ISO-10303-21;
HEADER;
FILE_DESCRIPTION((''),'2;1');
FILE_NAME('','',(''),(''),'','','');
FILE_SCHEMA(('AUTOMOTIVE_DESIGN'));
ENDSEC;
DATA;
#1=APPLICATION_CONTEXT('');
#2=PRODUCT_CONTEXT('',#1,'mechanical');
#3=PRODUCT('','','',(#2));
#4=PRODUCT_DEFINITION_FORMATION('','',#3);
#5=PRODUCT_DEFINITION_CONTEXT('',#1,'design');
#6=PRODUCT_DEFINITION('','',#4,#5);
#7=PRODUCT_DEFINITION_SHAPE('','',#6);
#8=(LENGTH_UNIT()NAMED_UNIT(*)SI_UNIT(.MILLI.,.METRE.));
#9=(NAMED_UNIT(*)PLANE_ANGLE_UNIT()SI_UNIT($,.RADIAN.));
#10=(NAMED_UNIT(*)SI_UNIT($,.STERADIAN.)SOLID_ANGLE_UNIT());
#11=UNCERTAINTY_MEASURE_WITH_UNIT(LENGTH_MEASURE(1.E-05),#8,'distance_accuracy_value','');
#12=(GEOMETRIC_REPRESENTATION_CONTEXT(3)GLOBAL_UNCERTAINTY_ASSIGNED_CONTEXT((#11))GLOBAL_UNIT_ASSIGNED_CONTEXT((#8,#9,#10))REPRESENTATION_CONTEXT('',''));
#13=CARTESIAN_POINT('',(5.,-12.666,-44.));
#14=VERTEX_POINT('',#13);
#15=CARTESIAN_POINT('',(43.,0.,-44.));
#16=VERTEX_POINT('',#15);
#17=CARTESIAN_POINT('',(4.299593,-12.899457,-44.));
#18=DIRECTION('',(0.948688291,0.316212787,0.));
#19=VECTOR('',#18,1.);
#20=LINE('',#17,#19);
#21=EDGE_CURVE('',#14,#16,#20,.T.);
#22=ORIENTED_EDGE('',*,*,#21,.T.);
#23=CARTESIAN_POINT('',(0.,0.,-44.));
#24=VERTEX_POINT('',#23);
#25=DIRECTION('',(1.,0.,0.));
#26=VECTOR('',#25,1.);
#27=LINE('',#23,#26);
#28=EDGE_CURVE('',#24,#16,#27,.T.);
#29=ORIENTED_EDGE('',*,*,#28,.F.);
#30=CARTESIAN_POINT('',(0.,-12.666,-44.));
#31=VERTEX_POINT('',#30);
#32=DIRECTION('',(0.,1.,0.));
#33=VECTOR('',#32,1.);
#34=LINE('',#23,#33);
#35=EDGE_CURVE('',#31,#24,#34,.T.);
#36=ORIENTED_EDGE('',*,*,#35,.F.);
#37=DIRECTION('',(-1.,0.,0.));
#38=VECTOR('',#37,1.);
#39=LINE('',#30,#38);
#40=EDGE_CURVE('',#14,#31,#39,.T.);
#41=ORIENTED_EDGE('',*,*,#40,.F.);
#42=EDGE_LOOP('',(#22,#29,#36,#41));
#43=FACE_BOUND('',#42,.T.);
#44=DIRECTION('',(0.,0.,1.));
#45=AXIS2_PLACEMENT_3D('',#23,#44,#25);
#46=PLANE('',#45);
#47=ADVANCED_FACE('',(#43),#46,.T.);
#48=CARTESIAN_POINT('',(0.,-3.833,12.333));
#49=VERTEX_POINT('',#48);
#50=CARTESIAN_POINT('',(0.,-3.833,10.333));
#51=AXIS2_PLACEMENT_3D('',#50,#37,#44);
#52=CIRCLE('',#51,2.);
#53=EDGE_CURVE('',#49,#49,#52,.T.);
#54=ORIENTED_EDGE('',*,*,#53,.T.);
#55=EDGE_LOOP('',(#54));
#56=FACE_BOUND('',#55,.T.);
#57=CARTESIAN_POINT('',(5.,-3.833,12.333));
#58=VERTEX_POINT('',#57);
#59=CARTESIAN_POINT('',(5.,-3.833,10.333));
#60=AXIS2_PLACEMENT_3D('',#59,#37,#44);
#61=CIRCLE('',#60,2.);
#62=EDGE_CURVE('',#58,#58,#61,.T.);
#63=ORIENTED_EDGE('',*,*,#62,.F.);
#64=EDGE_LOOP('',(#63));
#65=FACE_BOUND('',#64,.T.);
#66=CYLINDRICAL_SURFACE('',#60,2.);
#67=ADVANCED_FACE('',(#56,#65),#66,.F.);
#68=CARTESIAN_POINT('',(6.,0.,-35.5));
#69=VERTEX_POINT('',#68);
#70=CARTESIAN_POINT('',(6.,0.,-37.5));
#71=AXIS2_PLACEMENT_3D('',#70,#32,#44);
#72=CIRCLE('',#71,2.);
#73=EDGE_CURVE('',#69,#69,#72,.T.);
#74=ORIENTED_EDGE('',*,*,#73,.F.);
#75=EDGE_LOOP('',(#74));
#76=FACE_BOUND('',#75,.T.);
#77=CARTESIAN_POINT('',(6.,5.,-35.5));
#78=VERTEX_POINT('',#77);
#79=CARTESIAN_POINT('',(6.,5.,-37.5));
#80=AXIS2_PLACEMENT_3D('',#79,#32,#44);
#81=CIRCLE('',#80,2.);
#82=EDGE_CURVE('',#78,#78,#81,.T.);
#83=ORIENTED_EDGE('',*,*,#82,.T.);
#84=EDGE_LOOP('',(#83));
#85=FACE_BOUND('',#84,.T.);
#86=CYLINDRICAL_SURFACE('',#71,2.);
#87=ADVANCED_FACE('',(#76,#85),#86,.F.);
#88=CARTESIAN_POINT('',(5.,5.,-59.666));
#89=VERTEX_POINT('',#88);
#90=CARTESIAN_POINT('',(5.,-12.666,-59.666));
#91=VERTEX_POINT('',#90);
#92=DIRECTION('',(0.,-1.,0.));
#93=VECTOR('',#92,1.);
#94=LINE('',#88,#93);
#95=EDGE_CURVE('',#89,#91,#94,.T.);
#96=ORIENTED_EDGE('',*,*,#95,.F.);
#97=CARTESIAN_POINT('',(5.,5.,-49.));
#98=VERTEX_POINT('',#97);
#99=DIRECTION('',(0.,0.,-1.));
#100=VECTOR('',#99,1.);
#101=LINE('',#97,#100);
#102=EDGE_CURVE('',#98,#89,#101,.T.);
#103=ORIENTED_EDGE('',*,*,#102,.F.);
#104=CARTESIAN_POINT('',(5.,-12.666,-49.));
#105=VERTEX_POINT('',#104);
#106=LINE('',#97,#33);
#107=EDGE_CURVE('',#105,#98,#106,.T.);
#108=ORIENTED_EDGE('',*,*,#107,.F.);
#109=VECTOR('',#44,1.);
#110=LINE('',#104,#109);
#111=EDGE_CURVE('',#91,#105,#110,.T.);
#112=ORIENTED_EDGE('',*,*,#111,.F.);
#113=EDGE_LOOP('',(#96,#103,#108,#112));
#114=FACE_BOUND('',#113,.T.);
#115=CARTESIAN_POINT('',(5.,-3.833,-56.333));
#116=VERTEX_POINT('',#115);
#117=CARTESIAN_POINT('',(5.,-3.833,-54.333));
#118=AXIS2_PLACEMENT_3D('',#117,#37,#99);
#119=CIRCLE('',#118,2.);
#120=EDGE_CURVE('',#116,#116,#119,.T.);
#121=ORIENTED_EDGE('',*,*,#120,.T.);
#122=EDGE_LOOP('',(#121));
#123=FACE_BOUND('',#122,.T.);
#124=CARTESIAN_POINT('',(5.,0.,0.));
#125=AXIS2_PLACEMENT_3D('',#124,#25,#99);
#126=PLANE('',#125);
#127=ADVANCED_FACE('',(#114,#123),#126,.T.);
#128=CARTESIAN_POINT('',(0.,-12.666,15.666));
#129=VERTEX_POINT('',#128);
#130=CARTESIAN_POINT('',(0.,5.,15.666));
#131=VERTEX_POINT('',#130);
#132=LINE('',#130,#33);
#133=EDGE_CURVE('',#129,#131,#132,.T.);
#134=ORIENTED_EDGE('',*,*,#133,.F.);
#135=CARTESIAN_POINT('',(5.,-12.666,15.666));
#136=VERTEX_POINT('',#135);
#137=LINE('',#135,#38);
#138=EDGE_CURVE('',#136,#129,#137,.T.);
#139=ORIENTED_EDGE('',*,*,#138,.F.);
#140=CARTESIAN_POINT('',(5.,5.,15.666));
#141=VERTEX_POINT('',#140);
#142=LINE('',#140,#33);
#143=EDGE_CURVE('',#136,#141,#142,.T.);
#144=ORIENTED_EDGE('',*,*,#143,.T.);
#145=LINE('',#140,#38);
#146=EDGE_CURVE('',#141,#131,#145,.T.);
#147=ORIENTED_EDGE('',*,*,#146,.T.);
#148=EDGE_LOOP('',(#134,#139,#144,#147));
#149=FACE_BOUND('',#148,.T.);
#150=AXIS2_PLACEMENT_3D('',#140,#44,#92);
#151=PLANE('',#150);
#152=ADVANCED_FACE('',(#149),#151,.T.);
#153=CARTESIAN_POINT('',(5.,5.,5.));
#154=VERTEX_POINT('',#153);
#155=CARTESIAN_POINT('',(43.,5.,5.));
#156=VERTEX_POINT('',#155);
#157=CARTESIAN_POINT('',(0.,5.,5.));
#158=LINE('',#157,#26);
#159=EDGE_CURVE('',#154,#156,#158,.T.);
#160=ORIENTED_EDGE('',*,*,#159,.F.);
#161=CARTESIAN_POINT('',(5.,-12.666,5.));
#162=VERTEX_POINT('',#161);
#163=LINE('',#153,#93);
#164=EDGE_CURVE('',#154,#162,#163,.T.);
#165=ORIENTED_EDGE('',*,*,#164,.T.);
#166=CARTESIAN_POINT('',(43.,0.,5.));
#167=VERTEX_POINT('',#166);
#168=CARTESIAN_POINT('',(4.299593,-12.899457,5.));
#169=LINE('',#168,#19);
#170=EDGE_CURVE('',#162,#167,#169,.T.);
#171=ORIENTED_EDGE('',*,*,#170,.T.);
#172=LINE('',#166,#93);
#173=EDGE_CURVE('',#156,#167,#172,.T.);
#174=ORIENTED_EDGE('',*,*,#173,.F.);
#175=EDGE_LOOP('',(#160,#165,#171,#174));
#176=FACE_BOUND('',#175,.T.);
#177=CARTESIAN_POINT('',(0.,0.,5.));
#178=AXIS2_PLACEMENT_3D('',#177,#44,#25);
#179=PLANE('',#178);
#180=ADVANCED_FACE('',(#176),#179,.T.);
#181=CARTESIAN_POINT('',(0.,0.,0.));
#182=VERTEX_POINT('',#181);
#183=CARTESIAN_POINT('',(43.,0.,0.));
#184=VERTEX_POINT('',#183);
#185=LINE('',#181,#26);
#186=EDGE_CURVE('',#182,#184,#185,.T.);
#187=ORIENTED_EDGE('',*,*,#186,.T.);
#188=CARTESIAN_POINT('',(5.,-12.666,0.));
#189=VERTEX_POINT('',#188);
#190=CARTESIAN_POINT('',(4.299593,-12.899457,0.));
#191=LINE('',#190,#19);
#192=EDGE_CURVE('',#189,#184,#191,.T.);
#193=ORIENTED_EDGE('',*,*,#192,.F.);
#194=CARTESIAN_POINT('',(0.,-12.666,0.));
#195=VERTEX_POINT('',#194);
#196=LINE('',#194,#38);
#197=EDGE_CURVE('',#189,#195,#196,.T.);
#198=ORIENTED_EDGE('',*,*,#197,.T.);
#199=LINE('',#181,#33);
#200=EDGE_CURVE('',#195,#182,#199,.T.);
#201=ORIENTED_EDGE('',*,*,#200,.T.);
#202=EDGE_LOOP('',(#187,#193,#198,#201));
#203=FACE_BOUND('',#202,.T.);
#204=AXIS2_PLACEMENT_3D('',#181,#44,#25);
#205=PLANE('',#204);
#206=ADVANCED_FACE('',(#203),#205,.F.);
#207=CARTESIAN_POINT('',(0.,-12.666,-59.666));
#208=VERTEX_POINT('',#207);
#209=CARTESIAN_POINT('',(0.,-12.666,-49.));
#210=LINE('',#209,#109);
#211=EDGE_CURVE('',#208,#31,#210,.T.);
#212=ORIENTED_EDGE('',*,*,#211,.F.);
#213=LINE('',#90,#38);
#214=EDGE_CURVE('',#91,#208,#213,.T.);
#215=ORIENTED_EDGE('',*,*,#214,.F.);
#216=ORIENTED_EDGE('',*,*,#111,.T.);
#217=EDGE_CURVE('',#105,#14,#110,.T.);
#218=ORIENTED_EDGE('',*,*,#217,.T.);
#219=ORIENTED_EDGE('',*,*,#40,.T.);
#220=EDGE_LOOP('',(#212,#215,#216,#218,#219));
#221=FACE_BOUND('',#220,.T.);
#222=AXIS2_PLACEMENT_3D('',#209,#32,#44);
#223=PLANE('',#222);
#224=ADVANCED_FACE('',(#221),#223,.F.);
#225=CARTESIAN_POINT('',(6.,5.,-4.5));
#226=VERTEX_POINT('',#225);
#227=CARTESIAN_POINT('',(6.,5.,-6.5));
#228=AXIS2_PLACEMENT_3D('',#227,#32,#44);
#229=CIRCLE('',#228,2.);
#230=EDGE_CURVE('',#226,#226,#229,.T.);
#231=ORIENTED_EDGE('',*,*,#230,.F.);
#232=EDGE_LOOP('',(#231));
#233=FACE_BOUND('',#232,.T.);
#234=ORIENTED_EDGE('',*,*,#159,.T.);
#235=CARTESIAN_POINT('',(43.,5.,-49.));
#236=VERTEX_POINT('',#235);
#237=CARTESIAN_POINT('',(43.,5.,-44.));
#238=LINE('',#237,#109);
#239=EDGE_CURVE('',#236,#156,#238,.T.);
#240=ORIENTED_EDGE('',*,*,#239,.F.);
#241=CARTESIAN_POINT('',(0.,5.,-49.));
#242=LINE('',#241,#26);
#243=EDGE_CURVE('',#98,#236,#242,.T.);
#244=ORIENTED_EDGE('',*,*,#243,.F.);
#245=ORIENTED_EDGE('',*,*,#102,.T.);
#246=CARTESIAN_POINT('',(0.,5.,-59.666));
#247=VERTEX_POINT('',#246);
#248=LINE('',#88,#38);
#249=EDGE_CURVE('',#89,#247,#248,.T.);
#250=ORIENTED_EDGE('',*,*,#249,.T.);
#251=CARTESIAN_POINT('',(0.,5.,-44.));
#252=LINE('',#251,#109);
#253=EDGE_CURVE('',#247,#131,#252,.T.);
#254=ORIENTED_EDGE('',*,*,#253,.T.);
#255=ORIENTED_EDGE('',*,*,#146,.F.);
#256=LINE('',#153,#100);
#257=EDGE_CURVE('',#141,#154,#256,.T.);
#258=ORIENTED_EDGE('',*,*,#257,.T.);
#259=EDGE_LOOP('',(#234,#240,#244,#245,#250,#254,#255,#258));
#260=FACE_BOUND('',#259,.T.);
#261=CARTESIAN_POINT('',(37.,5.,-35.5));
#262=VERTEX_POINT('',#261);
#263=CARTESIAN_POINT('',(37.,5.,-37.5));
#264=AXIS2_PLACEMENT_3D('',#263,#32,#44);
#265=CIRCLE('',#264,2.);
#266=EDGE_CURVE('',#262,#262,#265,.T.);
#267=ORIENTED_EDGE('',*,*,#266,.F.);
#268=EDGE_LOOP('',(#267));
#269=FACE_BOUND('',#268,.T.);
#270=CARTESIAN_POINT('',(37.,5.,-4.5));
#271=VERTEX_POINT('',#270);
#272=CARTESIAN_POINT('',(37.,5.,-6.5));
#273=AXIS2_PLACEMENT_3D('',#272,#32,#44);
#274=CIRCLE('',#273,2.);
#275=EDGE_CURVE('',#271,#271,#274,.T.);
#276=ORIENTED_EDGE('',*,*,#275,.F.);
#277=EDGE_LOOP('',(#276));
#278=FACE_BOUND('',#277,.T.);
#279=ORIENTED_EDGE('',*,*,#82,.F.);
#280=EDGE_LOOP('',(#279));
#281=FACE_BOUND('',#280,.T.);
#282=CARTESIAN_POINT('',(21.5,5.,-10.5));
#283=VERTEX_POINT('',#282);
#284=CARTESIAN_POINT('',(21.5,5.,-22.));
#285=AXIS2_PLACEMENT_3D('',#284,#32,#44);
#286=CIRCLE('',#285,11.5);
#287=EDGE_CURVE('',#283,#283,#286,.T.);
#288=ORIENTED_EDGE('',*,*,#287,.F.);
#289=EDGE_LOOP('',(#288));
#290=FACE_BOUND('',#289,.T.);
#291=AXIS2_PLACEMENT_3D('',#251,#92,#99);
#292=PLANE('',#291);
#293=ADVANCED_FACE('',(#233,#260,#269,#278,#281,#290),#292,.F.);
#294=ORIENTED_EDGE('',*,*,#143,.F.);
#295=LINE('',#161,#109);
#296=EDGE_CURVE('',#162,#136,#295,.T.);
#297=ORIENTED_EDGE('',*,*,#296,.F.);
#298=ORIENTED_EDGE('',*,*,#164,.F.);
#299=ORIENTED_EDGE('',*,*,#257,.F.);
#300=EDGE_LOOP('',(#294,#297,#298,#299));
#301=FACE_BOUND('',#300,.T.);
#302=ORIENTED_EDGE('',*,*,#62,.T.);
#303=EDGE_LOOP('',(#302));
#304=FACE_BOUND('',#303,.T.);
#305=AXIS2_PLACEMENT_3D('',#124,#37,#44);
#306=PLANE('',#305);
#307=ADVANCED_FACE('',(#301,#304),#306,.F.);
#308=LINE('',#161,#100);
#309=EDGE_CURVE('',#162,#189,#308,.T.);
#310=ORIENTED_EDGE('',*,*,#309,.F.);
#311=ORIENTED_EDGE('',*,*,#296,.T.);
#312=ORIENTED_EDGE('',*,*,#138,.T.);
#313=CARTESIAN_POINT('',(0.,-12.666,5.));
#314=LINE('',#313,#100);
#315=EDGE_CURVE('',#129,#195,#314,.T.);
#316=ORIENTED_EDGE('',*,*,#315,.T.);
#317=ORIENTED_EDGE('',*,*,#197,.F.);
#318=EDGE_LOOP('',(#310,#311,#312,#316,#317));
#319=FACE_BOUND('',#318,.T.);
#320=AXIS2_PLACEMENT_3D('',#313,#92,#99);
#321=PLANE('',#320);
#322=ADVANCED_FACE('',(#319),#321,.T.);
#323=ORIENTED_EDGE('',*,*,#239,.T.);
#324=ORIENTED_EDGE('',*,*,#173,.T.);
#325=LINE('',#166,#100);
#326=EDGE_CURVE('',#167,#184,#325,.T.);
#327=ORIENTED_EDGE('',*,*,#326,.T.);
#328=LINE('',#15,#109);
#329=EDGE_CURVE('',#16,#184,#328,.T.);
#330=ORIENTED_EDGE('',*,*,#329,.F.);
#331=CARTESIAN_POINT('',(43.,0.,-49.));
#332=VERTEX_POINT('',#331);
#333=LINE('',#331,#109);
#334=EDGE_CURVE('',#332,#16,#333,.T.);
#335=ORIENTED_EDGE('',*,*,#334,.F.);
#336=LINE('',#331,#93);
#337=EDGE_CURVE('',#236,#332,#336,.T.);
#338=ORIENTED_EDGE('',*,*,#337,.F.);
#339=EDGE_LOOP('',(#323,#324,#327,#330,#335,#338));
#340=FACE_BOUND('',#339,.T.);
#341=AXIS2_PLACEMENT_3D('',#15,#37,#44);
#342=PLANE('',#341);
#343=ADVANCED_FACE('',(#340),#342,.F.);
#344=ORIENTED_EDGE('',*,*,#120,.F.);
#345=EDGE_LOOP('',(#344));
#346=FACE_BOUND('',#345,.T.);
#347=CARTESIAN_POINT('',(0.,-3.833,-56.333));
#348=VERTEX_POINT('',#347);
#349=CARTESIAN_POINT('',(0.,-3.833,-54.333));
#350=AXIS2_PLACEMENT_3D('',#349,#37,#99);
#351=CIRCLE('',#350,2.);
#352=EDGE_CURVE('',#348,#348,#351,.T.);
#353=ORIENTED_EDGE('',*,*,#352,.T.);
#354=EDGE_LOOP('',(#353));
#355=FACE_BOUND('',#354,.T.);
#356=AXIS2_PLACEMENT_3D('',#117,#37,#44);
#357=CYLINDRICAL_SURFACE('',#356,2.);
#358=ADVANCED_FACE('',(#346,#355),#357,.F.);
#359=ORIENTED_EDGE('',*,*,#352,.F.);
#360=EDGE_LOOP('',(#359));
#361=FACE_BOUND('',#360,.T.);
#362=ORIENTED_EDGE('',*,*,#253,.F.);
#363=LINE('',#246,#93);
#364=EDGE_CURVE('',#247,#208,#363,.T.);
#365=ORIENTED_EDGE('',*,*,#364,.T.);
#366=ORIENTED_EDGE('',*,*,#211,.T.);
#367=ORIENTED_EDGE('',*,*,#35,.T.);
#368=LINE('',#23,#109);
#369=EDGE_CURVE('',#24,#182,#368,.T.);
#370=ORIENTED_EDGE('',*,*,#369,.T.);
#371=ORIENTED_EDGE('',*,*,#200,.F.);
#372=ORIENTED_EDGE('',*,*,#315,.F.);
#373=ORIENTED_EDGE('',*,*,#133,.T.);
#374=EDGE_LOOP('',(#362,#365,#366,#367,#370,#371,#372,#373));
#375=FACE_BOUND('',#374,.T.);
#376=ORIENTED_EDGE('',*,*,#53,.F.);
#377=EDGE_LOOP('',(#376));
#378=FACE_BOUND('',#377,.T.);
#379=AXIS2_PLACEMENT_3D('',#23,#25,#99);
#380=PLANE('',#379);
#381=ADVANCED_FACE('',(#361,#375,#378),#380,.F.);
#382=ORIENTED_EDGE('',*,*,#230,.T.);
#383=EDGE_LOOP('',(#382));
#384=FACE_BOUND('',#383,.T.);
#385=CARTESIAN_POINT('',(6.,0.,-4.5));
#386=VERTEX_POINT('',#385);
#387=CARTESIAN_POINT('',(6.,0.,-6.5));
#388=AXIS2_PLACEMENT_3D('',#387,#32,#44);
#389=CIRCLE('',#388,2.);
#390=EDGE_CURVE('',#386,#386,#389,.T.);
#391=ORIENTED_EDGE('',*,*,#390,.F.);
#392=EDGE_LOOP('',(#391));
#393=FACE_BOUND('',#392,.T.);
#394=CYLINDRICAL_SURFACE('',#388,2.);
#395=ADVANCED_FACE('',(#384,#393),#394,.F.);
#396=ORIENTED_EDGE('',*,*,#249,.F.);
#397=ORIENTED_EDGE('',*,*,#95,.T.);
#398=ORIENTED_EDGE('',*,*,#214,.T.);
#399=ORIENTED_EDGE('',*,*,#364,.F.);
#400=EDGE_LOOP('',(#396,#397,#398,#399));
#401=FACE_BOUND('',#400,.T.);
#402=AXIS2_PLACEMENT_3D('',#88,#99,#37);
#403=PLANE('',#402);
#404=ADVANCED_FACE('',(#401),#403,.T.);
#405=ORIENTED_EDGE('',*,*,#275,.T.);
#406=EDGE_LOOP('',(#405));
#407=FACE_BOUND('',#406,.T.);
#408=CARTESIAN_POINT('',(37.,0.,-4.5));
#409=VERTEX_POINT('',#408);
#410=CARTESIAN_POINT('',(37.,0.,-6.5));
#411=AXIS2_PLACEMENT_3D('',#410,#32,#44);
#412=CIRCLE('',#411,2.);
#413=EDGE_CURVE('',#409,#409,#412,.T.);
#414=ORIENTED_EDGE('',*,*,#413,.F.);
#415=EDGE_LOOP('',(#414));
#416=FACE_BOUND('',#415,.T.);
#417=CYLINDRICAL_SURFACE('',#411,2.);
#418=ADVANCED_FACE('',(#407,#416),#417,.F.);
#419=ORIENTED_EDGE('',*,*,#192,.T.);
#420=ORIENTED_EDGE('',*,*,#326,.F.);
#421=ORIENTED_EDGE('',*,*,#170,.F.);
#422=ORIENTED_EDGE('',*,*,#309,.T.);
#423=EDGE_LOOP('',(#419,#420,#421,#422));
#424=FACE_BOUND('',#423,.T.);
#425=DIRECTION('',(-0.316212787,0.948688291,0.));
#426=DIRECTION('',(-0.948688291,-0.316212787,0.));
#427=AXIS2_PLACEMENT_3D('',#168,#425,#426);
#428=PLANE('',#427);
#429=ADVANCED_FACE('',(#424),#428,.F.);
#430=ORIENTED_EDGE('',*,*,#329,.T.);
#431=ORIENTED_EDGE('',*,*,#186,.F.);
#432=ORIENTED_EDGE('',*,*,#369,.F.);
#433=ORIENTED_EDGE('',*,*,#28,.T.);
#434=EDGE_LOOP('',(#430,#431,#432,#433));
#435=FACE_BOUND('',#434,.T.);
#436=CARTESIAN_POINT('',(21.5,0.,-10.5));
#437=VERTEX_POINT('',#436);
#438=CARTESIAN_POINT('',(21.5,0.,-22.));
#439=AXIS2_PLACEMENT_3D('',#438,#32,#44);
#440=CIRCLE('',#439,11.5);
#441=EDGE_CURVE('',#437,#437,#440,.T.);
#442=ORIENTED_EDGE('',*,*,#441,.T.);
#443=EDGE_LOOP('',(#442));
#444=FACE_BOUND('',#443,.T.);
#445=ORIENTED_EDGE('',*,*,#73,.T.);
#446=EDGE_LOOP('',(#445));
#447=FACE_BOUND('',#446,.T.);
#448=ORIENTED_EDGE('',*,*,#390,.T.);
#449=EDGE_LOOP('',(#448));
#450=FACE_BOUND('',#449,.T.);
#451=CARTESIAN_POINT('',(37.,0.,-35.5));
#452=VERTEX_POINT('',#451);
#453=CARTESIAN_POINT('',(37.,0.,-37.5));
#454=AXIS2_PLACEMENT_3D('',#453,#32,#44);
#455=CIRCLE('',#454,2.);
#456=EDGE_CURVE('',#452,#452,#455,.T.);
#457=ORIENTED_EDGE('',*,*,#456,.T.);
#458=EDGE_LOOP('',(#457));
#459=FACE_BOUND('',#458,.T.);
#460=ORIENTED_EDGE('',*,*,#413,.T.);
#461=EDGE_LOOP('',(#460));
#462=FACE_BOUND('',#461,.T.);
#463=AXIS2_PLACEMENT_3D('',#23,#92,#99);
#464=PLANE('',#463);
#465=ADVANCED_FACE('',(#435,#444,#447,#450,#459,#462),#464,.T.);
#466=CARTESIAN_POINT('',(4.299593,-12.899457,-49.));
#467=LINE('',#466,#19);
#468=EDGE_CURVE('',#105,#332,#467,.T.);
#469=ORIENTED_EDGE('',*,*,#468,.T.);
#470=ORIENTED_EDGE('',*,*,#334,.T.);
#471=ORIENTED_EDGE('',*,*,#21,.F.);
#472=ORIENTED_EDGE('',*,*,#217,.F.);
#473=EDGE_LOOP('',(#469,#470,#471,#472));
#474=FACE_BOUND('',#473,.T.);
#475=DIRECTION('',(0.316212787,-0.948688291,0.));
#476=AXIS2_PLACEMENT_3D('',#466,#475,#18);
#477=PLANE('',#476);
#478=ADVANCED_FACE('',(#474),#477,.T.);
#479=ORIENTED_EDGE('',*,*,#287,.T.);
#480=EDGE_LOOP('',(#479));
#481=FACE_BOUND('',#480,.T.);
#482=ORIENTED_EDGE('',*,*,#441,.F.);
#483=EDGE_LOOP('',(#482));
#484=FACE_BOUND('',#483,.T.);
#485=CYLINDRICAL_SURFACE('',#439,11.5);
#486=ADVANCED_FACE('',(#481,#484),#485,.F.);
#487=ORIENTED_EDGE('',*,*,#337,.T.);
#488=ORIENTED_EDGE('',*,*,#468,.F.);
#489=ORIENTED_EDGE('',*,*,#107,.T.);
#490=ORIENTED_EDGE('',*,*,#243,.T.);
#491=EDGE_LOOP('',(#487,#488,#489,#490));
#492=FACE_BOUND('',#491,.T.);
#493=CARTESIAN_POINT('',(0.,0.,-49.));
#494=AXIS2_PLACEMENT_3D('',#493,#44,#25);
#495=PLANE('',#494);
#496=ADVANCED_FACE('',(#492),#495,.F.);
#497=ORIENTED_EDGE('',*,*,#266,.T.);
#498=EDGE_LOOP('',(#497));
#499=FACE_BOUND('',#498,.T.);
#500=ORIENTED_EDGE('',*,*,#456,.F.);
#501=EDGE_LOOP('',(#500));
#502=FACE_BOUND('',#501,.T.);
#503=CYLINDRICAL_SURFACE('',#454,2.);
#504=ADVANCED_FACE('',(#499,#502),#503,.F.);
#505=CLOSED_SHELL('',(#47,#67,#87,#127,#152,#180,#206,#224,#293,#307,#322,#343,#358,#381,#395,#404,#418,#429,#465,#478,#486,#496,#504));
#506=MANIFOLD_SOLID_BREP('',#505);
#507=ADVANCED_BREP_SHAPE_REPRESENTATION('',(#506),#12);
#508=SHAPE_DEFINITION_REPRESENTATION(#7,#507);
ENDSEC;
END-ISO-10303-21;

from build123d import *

# Parameters (mm, degrees)
SKETCH1_W           = 5
SKETCH1_H           = 5
SKETCH1_W_2         = 38
BOSS_EXTRUDE1_DEPTH = 44
SKETCH2_R           = 11.5
SKETCH2_R_2         = 2
CUT_EXTRUDE1_DEPTH  = 62.725197448
SKETCH1_3_W         = 38
SKETCH1_3_H         = 5
SKETCH1_3_W_2       = 5
SKETCH1_3_H_2       = 12.666
BOSS_EXTRUDE2_DEPTH = 5
BOSS_EXTRUDE3_START = -44
SKETCH1_4_W         = 5
SKETCH1_4_H         = 5
SKETCH1_4_H_2       = 12.666
SKETCH1_4_W_2       = 38
BOSS_EXTRUDE3_DEPTH = 5
SKETCH3_W           = 10.666
SKETCH3_H           = 17.666
SKETCH3_R           = 2
BOSS_EXTRUDE4_DEPTH = 5


with BuildPart() as part:
    # Sketch1 → Boss-Extrude1 (new body)
    with BuildSketch(Plane.XY):
        with Locations((2.5, 2.5)):
            Rectangle(SKETCH1_W, SKETCH1_H)
        with Locations((24, 2.5)):
            Rectangle(SKETCH1_W_2, SKETCH1_H)
    extrude(amount=-BOSS_EXTRUDE1_DEPTH)

    # Sketch2 → Cut-Extrude1 (cut, through all)
    with BuildSketch(Plane(origin=(0, 5, 0), x_dir=(1, 0, 0), z_dir=(0, 1, 0))):
        with Locations(Location((21.5, 22, 0), (0, 0, 270))):
            Circle(SKETCH2_R)
        with Locations(Location((37, 37.5, 0), (0, 0, 270))):
            Circle(SKETCH2_R_2)
        with Locations(Location((6, 37.5, 0), (0, 0, 270))):
            Circle(SKETCH2_R_2)
        with Locations(Location((6, 6.5, 0), (0, 0, 270))):
            Circle(SKETCH2_R_2)
        with Locations(Location((37, 6.5, 0), (0, 0, 270))):
            Circle(SKETCH2_R_2)
    extrude(amount=-CUT_EXTRUDE1_DEPTH, mode=Mode.SUBTRACT)

    # Sketch1<3> → Boss-Extrude2 (add)
    with BuildSketch(Plane.XY):
        Polygon((5, 0), (5, -12.666), (43, 0), align=None)
        with Locations((24, 2.5)):
            Rectangle(SKETCH1_3_W, SKETCH1_3_H)
        with Locations((2.5, 2.5)):
            Rectangle(SKETCH1_3_W_2, SKETCH1_3_H)
        with Locations((2.5, -6.333)):
            Rectangle(SKETCH1_3_W_2, SKETCH1_3_H_2)
    extrude(amount=BOSS_EXTRUDE2_DEPTH)

    # Sketch1<4> → Boss-Extrude3 (add)
    with BuildSketch(Plane.XY.offset(BOSS_EXTRUDE3_START)):
        with Locations((2.5, 2.5)):
            Rectangle(SKETCH1_4_W, SKETCH1_4_H)
        with Locations((2.5, -6.333)):
            Rectangle(SKETCH1_4_W, SKETCH1_4_H_2)
        Polygon((5, 0), (5, -12.666), (43, 0), align=None)
        with Locations((24, 2.5)):
            Rectangle(SKETCH1_4_W_2, SKETCH1_4_H)
    extrude(amount=-BOSS_EXTRUDE3_DEPTH)

    # Sketch3 → Boss-Extrude4 (add)
    # profile 1 of 2: a face of its own
    with BuildSketch(Plane.ZY):
        with Locations((10.333, -3.833)):
            Rectangle(SKETCH3_W, SKETCH3_H)
        with Locations((10.333, -3.833)):
            Circle(SKETCH3_R, mode=Mode.SUBTRACT)
    # profile 2 of 2: a face of its own
    with BuildSketch(Plane.ZY):
        with Locations((-54.333, -3.833)):
            Rectangle(SKETCH3_W, SKETCH3_H)
        with Locations(Location((-54.333, -3.833, 0), (0, 0, 180))):
            Circle(SKETCH3_R, mode=Mode.SUBTRACT)
    extrude(amount=-BOSS_EXTRUDE4_DEPTH)


solid = part.part
